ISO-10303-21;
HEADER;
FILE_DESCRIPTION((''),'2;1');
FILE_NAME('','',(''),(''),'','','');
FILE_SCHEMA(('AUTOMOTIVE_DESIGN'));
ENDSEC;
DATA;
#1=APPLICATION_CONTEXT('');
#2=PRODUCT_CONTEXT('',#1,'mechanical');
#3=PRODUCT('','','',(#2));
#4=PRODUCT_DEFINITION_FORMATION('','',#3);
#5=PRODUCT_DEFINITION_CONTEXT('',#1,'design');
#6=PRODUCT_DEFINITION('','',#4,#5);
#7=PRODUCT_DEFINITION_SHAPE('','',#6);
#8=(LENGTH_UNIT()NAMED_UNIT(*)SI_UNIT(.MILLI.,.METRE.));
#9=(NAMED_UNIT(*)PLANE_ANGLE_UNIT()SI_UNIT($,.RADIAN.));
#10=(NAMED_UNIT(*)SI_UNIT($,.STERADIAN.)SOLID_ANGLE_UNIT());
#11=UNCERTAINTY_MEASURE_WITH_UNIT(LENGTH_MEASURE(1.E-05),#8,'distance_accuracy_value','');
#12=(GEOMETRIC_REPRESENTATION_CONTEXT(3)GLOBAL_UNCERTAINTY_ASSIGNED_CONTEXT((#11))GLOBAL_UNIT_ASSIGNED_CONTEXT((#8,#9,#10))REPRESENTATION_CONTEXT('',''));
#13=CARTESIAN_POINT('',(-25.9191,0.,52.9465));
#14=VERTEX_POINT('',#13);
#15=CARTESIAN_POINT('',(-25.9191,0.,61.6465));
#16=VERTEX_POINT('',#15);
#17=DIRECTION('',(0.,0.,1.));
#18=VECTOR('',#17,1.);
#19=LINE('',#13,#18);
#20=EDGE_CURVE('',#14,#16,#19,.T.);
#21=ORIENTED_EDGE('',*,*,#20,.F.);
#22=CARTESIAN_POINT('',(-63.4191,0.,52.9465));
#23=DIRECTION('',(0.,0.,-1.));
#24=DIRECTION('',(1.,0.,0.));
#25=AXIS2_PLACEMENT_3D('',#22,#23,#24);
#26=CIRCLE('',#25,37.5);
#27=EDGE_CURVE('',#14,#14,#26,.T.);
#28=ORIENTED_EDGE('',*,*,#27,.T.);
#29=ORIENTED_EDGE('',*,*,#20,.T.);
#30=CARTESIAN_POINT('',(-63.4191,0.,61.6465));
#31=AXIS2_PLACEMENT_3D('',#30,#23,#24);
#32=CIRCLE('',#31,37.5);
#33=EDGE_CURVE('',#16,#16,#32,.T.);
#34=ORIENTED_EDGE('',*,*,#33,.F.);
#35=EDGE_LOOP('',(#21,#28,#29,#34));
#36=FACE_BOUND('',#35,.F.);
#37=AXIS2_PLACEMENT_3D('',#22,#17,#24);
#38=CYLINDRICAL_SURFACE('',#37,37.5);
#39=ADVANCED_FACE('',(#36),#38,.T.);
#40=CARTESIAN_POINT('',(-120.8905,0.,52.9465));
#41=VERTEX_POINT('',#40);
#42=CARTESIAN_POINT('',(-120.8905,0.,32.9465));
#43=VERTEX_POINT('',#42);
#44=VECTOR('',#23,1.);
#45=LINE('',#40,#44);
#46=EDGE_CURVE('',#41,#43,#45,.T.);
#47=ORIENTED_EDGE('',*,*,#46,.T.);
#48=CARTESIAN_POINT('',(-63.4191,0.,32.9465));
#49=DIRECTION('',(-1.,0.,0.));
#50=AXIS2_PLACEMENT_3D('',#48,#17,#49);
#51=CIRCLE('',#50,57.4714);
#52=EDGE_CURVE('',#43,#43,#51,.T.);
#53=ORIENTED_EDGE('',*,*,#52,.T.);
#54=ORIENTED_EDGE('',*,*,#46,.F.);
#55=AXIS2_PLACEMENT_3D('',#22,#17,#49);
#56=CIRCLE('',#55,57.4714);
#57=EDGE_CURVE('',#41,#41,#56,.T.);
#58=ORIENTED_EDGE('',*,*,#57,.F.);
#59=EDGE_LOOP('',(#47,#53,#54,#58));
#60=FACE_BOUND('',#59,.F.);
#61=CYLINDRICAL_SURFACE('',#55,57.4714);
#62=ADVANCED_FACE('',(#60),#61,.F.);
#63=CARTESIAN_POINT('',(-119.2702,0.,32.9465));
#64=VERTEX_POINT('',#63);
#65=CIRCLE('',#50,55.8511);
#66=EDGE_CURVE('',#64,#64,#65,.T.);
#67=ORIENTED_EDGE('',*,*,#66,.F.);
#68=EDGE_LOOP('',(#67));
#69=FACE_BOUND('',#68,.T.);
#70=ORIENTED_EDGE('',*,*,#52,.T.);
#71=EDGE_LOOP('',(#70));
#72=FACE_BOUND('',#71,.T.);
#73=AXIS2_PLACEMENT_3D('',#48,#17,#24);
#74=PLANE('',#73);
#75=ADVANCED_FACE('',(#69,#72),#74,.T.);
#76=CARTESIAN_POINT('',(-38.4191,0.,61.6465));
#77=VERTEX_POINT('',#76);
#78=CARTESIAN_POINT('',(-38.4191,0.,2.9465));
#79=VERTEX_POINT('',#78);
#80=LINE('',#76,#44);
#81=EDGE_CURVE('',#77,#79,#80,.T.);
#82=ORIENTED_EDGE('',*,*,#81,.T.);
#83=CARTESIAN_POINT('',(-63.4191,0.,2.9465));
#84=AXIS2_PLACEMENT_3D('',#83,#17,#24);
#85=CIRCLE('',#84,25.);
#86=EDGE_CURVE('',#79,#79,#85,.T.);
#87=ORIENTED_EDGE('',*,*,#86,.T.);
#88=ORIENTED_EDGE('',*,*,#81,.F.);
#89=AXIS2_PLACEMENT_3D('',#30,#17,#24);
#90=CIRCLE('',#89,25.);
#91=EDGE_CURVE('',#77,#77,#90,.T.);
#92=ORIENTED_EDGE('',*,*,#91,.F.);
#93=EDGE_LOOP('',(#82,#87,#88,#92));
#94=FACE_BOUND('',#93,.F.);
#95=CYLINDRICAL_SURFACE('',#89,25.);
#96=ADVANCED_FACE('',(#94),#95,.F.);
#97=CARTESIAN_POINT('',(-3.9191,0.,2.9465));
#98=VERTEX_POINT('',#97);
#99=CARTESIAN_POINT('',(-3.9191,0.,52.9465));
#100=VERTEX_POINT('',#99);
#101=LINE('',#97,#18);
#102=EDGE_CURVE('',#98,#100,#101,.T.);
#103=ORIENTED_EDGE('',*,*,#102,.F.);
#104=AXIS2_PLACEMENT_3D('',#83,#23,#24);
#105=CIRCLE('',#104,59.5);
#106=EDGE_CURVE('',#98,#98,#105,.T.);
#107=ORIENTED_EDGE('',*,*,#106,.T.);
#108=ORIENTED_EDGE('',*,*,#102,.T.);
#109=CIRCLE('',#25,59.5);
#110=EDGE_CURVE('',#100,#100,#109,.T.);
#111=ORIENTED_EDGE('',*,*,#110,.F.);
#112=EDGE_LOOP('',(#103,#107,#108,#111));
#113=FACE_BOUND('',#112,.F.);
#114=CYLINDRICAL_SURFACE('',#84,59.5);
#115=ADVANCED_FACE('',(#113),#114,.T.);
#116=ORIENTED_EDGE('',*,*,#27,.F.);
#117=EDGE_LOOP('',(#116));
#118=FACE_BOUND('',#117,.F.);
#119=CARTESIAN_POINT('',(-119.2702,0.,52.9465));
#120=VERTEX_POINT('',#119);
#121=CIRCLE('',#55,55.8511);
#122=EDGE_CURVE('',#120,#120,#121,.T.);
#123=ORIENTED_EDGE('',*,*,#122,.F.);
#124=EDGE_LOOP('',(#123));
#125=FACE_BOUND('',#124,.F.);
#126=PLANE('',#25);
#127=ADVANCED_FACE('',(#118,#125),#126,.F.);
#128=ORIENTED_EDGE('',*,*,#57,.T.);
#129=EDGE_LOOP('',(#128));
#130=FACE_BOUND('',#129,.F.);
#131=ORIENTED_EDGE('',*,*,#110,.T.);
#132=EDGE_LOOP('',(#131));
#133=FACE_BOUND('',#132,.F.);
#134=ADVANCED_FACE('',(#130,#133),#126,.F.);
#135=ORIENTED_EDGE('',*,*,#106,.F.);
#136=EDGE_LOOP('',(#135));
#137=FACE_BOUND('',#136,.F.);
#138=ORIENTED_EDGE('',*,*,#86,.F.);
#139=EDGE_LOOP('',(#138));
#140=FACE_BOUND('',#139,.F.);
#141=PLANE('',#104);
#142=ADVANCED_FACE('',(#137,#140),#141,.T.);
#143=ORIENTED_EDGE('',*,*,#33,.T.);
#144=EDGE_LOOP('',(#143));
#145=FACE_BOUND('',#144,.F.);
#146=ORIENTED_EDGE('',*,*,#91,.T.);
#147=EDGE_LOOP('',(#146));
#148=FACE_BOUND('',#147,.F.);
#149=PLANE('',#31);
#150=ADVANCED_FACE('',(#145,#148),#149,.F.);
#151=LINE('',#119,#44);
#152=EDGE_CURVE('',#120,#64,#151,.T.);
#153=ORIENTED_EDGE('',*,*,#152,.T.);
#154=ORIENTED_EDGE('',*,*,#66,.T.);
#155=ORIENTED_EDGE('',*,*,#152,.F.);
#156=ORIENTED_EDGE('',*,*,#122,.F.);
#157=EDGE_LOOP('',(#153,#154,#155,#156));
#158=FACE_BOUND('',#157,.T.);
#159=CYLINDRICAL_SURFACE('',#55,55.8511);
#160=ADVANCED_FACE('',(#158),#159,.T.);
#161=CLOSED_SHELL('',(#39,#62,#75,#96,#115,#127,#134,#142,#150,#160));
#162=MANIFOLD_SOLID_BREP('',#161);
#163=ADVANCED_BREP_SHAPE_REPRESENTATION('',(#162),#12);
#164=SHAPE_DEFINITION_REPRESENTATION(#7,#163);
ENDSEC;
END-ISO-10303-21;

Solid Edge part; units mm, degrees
sketch "Sketch1" plane through (0, 0, 0) normal (0, -1, 0) x (1, 0, 0)
  line L0 (-63.4191, 2.9465) -> (-3.9191, 2.9465)
  line L1 (-3.9191, 2.9465) -> (-3.9191, 52.9465)
  line L2 (-3.9191, 52.9465) -> (-25.9191, 52.9465)
  line L3 (-25.9191, 52.9465) -> (-25.9191, 61.6465)
  line L4 (-25.9191, 61.6465) -> (-63.4191, 61.6465)
  dimension "D1" = 59.5
  dimension "D2" = 50
  dimension "D3" = 37.5
  dimension "D4" = 8.7
revolve "RevolvedProtrusion1" add sketch "Sketch1" angle 360 about axis through (-63.4191, 0, 61.6465) along (0, 0, -1)
sketch "Sketch2" plane through (-63.4191, 0, 61.6465) normal (0, 0, 1) x (1, 0, 0)
  circle A0 centre (0, 0) radius 25
  dimension "D1" = 50
extrude "Cutout1" cut sketch "Sketch2" against normal through all
sketch "Sketch3" plane through (-63.4191, 0, 52.9465) normal (0, 0, 1) x (-1, 0, 0)
  circle A0 centre (0, 0) radius 55.8511
  circle A1 centre (0, 0) radius 57.4714
extrude "Cutout2" cut sketch "Sketch3" against normal blind 20
